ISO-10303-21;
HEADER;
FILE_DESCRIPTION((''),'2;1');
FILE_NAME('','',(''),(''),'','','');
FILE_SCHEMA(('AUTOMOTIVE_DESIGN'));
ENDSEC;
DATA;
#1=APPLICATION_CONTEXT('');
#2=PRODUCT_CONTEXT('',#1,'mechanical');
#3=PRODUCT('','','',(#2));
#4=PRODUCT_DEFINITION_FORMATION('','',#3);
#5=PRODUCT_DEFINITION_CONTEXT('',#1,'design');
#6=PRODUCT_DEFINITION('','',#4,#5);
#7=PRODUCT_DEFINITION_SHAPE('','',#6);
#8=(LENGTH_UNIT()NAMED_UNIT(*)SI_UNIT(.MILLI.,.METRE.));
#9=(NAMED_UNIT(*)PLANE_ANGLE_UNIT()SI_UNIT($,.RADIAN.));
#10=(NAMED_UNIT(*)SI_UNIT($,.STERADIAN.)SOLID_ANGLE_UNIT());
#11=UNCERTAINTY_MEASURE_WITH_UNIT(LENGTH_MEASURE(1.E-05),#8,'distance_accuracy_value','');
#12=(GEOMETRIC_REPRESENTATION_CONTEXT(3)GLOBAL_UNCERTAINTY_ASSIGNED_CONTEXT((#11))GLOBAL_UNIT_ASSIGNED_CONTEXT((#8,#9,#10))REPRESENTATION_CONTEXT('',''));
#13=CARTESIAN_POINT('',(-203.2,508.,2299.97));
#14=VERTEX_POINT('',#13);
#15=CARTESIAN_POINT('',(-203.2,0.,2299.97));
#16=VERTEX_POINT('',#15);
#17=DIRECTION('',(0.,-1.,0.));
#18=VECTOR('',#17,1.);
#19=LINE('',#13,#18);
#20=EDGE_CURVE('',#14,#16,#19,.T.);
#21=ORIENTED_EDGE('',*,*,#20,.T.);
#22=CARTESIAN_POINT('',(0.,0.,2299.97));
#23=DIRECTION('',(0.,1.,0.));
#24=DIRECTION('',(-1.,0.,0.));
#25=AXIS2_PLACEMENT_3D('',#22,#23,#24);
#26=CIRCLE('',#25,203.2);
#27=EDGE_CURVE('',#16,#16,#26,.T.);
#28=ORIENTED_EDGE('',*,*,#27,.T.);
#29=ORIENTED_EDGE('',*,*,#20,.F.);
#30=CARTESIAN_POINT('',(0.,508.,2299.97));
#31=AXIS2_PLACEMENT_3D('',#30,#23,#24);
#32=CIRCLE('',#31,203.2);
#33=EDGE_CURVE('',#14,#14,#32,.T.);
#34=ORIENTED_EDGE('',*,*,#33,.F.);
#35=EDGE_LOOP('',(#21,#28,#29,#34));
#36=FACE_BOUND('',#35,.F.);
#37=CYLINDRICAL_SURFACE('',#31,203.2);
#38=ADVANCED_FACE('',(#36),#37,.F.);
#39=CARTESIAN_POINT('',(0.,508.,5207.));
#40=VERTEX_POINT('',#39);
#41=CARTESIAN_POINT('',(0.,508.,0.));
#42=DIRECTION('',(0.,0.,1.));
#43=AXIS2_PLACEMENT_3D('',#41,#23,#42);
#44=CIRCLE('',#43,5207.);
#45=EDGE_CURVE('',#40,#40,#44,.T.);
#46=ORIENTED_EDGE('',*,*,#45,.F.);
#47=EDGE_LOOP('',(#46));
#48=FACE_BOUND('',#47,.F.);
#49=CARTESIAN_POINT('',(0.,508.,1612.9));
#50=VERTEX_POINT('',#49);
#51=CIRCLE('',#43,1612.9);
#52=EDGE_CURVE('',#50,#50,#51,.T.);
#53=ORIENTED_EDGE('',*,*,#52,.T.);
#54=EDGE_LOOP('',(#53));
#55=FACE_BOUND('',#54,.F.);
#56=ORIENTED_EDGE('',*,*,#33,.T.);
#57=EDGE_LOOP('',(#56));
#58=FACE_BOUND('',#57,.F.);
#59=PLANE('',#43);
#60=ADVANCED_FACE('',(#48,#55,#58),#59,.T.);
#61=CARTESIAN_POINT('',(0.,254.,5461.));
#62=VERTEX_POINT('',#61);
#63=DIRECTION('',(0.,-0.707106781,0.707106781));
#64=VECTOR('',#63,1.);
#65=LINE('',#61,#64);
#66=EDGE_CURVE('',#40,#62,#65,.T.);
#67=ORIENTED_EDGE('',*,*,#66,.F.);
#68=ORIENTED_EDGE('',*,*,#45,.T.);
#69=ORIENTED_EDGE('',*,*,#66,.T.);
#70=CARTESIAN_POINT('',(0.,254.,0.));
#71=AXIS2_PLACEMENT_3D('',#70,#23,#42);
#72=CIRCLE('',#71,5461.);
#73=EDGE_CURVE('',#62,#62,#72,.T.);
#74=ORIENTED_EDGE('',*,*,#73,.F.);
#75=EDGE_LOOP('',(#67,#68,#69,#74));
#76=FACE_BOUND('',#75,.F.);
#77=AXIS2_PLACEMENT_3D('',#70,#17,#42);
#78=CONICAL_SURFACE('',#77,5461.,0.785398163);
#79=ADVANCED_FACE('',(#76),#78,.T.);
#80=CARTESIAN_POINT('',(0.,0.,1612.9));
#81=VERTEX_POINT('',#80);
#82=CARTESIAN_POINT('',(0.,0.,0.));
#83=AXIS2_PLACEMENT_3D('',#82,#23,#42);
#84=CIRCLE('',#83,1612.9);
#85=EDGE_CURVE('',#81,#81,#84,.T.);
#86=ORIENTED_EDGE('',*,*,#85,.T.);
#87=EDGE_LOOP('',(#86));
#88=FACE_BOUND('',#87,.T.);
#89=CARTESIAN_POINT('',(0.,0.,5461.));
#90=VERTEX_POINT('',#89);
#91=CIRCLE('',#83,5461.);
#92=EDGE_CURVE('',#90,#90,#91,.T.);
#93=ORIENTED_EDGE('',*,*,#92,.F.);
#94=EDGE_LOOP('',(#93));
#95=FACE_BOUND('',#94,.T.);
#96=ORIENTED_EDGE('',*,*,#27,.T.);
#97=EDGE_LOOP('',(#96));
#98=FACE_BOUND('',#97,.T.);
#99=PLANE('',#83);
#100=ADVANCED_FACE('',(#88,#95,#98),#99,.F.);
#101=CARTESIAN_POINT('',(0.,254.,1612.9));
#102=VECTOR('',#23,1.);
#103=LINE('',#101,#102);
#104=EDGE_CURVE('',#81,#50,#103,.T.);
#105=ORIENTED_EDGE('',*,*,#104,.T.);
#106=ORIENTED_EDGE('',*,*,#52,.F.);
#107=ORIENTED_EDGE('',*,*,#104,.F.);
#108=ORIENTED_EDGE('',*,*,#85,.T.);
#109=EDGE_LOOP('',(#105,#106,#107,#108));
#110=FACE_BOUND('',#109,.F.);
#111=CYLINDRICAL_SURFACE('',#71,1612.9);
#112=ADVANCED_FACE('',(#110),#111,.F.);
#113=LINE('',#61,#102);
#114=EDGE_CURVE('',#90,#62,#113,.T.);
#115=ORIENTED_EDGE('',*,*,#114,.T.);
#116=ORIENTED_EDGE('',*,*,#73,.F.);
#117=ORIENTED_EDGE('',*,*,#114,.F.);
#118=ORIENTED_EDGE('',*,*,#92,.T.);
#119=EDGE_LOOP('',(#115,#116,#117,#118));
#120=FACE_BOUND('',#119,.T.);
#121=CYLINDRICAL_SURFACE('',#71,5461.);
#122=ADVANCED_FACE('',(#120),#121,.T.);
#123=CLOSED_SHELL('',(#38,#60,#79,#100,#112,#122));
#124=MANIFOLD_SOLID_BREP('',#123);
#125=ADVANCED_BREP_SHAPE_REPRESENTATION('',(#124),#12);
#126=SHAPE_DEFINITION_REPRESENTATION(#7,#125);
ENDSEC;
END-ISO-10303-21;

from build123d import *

# Parameters (mm, degrees)
F0_W     = 508
F0_H     = 3848.1
F2_SIZE  = 254
F3_R     = 203.2
F4_DEPTH = 508.001


with BuildPart() as f1:
    # F0 (on Right) → F1 (revolve)
    with BuildSketch(Plane.YZ):
        with Locations((254, 3536.95)):
            Rectangle(F0_W, F0_H)
    revolve(axis=Axis((0, 349.275798, 0), (0, 1, 0)))

    # F2
    f2_edges = [f1.edges().sort_by_distance(p)[0] for p in [
        (0, 508, -5461),
    ]]
    chamfer(f2_edges, length=F2_SIZE)

    # F3 (on face) → F4 (cut, through all)
    with BuildSketch(Plane(origin=(0, 508, 0), x_dir=(-1, 0, 0), z_dir=(0, 1, 0))):
        with Locations((0, 2299.97)):
            Circle(F3_R)
    extrude(amount=-F4_DEPTH, mode=Mode.SUBTRACT)


solid = f1.part
